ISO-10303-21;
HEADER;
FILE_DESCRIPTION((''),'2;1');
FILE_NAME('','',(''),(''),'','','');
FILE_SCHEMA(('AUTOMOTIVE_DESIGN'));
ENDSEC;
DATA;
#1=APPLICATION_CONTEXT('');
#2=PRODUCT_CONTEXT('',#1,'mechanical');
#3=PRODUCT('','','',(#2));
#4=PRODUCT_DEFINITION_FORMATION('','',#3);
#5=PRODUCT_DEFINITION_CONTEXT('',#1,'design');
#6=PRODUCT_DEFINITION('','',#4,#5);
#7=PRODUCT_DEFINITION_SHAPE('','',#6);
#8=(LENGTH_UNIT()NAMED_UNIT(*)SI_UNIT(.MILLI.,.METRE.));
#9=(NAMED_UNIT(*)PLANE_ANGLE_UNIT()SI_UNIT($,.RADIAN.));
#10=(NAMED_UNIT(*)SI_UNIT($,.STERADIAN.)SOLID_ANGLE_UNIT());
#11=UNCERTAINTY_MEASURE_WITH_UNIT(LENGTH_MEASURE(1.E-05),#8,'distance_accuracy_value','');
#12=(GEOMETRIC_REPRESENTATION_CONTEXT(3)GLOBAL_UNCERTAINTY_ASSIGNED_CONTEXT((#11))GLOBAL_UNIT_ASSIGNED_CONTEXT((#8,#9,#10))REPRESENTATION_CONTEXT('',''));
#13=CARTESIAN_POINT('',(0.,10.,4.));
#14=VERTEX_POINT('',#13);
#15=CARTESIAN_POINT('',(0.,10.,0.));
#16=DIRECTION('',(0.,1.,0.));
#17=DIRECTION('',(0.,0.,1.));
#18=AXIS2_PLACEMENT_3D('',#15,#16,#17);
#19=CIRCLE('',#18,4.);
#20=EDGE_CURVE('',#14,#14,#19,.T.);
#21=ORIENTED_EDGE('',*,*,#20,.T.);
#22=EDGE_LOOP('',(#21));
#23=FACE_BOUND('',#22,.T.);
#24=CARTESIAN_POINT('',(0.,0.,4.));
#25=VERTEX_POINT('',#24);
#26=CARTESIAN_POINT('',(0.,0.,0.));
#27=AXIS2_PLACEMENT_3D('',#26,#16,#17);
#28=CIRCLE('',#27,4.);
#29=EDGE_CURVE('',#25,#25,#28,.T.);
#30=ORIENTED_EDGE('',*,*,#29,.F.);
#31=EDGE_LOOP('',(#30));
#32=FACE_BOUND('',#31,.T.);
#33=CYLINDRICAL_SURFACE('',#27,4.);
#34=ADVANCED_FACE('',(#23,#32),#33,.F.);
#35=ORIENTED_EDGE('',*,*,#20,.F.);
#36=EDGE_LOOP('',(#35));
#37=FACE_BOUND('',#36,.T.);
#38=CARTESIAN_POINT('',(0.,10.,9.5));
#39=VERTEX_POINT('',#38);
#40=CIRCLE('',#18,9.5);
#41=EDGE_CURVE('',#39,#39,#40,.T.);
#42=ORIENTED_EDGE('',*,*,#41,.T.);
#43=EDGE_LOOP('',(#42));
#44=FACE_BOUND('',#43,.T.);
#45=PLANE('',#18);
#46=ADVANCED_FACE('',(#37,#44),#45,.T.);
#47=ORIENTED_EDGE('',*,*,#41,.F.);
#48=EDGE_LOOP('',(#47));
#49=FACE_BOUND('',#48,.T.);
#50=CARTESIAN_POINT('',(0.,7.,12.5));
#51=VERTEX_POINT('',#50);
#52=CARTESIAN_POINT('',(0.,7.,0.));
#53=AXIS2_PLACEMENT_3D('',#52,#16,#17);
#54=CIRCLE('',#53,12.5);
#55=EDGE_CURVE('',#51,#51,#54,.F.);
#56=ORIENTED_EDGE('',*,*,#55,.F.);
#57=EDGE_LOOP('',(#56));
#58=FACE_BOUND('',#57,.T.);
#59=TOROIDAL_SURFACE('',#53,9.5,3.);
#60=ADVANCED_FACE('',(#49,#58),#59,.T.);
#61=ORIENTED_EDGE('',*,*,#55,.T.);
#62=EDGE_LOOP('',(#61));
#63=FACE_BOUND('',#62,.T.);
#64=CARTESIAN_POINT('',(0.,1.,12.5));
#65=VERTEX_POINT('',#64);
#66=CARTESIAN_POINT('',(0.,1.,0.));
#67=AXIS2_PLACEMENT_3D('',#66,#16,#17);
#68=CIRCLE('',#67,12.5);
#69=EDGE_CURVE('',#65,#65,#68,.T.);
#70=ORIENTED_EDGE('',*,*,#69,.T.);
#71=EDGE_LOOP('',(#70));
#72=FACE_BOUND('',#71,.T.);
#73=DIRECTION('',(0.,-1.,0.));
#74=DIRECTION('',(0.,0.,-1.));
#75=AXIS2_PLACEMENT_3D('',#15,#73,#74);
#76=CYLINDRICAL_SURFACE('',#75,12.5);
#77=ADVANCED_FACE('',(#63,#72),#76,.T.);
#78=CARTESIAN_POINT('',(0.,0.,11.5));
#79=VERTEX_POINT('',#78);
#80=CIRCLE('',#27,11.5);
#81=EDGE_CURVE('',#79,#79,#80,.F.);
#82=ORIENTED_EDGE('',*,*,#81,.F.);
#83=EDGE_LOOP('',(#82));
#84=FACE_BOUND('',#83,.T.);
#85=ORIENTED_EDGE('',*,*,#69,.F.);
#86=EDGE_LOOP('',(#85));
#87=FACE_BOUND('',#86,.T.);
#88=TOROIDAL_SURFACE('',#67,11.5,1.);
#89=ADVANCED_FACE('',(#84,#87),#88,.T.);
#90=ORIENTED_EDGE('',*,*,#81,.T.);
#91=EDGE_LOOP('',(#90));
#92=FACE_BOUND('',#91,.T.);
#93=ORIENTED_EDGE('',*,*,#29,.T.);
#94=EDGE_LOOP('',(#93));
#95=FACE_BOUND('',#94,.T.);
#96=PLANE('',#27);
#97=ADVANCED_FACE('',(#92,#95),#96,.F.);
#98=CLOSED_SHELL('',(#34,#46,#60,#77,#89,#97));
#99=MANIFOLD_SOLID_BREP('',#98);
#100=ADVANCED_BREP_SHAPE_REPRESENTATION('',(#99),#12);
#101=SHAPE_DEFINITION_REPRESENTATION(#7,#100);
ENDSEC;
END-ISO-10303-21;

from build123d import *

# Parameters (mm, degrees)
SKETCH1_R           = 12.5
BOSS_EXTRUDE1_DEPTH = 10
FILLET1_R           = 3
SKETCH2_R           = 4
CUT_EXTRUDE1_DEPTH  = 21.310096012
FILLET2_R           = 1


with BuildPart() as part:
    # Sketch1 → Boss-Extrude1 (new body)
    with BuildSketch(Plane(origin=(0, 0, 0), x_dir=(1, 0, 0), z_dir=(0, 1, 0))):
        with Locations(Location((0, 0, 0), (0, 0, 270))):
            Circle(SKETCH1_R)
    extrude(amount=BOSS_EXTRUDE1_DEPTH)

    # Fillet1
    fillet1_edges = [part.edges().sort_by_distance(p)[0] for p in [
        (0, 10, -12.5),
    ]]
    fillet(fillet1_edges, radius=FILLET1_R)

    # Sketch2 → Cut-Extrude1 (cut, through all)
    with BuildSketch(Plane(origin=(0, 10, 0), x_dir=(1, 0, 0), z_dir=(0, 1, 0))):
        with Locations(Location((0, 0, 0), (0, 0, 270))):
            Circle(SKETCH2_R)
    extrude(amount=-CUT_EXTRUDE1_DEPTH, mode=Mode.SUBTRACT)

    # Fillet2
    fillet2_edges = [part.edges().sort_by_distance(p)[0] for p in [
        (0, 0, -12.5),
    ]]
    fillet(fillet2_edges, radius=FILLET2_R)


solid = part.part
